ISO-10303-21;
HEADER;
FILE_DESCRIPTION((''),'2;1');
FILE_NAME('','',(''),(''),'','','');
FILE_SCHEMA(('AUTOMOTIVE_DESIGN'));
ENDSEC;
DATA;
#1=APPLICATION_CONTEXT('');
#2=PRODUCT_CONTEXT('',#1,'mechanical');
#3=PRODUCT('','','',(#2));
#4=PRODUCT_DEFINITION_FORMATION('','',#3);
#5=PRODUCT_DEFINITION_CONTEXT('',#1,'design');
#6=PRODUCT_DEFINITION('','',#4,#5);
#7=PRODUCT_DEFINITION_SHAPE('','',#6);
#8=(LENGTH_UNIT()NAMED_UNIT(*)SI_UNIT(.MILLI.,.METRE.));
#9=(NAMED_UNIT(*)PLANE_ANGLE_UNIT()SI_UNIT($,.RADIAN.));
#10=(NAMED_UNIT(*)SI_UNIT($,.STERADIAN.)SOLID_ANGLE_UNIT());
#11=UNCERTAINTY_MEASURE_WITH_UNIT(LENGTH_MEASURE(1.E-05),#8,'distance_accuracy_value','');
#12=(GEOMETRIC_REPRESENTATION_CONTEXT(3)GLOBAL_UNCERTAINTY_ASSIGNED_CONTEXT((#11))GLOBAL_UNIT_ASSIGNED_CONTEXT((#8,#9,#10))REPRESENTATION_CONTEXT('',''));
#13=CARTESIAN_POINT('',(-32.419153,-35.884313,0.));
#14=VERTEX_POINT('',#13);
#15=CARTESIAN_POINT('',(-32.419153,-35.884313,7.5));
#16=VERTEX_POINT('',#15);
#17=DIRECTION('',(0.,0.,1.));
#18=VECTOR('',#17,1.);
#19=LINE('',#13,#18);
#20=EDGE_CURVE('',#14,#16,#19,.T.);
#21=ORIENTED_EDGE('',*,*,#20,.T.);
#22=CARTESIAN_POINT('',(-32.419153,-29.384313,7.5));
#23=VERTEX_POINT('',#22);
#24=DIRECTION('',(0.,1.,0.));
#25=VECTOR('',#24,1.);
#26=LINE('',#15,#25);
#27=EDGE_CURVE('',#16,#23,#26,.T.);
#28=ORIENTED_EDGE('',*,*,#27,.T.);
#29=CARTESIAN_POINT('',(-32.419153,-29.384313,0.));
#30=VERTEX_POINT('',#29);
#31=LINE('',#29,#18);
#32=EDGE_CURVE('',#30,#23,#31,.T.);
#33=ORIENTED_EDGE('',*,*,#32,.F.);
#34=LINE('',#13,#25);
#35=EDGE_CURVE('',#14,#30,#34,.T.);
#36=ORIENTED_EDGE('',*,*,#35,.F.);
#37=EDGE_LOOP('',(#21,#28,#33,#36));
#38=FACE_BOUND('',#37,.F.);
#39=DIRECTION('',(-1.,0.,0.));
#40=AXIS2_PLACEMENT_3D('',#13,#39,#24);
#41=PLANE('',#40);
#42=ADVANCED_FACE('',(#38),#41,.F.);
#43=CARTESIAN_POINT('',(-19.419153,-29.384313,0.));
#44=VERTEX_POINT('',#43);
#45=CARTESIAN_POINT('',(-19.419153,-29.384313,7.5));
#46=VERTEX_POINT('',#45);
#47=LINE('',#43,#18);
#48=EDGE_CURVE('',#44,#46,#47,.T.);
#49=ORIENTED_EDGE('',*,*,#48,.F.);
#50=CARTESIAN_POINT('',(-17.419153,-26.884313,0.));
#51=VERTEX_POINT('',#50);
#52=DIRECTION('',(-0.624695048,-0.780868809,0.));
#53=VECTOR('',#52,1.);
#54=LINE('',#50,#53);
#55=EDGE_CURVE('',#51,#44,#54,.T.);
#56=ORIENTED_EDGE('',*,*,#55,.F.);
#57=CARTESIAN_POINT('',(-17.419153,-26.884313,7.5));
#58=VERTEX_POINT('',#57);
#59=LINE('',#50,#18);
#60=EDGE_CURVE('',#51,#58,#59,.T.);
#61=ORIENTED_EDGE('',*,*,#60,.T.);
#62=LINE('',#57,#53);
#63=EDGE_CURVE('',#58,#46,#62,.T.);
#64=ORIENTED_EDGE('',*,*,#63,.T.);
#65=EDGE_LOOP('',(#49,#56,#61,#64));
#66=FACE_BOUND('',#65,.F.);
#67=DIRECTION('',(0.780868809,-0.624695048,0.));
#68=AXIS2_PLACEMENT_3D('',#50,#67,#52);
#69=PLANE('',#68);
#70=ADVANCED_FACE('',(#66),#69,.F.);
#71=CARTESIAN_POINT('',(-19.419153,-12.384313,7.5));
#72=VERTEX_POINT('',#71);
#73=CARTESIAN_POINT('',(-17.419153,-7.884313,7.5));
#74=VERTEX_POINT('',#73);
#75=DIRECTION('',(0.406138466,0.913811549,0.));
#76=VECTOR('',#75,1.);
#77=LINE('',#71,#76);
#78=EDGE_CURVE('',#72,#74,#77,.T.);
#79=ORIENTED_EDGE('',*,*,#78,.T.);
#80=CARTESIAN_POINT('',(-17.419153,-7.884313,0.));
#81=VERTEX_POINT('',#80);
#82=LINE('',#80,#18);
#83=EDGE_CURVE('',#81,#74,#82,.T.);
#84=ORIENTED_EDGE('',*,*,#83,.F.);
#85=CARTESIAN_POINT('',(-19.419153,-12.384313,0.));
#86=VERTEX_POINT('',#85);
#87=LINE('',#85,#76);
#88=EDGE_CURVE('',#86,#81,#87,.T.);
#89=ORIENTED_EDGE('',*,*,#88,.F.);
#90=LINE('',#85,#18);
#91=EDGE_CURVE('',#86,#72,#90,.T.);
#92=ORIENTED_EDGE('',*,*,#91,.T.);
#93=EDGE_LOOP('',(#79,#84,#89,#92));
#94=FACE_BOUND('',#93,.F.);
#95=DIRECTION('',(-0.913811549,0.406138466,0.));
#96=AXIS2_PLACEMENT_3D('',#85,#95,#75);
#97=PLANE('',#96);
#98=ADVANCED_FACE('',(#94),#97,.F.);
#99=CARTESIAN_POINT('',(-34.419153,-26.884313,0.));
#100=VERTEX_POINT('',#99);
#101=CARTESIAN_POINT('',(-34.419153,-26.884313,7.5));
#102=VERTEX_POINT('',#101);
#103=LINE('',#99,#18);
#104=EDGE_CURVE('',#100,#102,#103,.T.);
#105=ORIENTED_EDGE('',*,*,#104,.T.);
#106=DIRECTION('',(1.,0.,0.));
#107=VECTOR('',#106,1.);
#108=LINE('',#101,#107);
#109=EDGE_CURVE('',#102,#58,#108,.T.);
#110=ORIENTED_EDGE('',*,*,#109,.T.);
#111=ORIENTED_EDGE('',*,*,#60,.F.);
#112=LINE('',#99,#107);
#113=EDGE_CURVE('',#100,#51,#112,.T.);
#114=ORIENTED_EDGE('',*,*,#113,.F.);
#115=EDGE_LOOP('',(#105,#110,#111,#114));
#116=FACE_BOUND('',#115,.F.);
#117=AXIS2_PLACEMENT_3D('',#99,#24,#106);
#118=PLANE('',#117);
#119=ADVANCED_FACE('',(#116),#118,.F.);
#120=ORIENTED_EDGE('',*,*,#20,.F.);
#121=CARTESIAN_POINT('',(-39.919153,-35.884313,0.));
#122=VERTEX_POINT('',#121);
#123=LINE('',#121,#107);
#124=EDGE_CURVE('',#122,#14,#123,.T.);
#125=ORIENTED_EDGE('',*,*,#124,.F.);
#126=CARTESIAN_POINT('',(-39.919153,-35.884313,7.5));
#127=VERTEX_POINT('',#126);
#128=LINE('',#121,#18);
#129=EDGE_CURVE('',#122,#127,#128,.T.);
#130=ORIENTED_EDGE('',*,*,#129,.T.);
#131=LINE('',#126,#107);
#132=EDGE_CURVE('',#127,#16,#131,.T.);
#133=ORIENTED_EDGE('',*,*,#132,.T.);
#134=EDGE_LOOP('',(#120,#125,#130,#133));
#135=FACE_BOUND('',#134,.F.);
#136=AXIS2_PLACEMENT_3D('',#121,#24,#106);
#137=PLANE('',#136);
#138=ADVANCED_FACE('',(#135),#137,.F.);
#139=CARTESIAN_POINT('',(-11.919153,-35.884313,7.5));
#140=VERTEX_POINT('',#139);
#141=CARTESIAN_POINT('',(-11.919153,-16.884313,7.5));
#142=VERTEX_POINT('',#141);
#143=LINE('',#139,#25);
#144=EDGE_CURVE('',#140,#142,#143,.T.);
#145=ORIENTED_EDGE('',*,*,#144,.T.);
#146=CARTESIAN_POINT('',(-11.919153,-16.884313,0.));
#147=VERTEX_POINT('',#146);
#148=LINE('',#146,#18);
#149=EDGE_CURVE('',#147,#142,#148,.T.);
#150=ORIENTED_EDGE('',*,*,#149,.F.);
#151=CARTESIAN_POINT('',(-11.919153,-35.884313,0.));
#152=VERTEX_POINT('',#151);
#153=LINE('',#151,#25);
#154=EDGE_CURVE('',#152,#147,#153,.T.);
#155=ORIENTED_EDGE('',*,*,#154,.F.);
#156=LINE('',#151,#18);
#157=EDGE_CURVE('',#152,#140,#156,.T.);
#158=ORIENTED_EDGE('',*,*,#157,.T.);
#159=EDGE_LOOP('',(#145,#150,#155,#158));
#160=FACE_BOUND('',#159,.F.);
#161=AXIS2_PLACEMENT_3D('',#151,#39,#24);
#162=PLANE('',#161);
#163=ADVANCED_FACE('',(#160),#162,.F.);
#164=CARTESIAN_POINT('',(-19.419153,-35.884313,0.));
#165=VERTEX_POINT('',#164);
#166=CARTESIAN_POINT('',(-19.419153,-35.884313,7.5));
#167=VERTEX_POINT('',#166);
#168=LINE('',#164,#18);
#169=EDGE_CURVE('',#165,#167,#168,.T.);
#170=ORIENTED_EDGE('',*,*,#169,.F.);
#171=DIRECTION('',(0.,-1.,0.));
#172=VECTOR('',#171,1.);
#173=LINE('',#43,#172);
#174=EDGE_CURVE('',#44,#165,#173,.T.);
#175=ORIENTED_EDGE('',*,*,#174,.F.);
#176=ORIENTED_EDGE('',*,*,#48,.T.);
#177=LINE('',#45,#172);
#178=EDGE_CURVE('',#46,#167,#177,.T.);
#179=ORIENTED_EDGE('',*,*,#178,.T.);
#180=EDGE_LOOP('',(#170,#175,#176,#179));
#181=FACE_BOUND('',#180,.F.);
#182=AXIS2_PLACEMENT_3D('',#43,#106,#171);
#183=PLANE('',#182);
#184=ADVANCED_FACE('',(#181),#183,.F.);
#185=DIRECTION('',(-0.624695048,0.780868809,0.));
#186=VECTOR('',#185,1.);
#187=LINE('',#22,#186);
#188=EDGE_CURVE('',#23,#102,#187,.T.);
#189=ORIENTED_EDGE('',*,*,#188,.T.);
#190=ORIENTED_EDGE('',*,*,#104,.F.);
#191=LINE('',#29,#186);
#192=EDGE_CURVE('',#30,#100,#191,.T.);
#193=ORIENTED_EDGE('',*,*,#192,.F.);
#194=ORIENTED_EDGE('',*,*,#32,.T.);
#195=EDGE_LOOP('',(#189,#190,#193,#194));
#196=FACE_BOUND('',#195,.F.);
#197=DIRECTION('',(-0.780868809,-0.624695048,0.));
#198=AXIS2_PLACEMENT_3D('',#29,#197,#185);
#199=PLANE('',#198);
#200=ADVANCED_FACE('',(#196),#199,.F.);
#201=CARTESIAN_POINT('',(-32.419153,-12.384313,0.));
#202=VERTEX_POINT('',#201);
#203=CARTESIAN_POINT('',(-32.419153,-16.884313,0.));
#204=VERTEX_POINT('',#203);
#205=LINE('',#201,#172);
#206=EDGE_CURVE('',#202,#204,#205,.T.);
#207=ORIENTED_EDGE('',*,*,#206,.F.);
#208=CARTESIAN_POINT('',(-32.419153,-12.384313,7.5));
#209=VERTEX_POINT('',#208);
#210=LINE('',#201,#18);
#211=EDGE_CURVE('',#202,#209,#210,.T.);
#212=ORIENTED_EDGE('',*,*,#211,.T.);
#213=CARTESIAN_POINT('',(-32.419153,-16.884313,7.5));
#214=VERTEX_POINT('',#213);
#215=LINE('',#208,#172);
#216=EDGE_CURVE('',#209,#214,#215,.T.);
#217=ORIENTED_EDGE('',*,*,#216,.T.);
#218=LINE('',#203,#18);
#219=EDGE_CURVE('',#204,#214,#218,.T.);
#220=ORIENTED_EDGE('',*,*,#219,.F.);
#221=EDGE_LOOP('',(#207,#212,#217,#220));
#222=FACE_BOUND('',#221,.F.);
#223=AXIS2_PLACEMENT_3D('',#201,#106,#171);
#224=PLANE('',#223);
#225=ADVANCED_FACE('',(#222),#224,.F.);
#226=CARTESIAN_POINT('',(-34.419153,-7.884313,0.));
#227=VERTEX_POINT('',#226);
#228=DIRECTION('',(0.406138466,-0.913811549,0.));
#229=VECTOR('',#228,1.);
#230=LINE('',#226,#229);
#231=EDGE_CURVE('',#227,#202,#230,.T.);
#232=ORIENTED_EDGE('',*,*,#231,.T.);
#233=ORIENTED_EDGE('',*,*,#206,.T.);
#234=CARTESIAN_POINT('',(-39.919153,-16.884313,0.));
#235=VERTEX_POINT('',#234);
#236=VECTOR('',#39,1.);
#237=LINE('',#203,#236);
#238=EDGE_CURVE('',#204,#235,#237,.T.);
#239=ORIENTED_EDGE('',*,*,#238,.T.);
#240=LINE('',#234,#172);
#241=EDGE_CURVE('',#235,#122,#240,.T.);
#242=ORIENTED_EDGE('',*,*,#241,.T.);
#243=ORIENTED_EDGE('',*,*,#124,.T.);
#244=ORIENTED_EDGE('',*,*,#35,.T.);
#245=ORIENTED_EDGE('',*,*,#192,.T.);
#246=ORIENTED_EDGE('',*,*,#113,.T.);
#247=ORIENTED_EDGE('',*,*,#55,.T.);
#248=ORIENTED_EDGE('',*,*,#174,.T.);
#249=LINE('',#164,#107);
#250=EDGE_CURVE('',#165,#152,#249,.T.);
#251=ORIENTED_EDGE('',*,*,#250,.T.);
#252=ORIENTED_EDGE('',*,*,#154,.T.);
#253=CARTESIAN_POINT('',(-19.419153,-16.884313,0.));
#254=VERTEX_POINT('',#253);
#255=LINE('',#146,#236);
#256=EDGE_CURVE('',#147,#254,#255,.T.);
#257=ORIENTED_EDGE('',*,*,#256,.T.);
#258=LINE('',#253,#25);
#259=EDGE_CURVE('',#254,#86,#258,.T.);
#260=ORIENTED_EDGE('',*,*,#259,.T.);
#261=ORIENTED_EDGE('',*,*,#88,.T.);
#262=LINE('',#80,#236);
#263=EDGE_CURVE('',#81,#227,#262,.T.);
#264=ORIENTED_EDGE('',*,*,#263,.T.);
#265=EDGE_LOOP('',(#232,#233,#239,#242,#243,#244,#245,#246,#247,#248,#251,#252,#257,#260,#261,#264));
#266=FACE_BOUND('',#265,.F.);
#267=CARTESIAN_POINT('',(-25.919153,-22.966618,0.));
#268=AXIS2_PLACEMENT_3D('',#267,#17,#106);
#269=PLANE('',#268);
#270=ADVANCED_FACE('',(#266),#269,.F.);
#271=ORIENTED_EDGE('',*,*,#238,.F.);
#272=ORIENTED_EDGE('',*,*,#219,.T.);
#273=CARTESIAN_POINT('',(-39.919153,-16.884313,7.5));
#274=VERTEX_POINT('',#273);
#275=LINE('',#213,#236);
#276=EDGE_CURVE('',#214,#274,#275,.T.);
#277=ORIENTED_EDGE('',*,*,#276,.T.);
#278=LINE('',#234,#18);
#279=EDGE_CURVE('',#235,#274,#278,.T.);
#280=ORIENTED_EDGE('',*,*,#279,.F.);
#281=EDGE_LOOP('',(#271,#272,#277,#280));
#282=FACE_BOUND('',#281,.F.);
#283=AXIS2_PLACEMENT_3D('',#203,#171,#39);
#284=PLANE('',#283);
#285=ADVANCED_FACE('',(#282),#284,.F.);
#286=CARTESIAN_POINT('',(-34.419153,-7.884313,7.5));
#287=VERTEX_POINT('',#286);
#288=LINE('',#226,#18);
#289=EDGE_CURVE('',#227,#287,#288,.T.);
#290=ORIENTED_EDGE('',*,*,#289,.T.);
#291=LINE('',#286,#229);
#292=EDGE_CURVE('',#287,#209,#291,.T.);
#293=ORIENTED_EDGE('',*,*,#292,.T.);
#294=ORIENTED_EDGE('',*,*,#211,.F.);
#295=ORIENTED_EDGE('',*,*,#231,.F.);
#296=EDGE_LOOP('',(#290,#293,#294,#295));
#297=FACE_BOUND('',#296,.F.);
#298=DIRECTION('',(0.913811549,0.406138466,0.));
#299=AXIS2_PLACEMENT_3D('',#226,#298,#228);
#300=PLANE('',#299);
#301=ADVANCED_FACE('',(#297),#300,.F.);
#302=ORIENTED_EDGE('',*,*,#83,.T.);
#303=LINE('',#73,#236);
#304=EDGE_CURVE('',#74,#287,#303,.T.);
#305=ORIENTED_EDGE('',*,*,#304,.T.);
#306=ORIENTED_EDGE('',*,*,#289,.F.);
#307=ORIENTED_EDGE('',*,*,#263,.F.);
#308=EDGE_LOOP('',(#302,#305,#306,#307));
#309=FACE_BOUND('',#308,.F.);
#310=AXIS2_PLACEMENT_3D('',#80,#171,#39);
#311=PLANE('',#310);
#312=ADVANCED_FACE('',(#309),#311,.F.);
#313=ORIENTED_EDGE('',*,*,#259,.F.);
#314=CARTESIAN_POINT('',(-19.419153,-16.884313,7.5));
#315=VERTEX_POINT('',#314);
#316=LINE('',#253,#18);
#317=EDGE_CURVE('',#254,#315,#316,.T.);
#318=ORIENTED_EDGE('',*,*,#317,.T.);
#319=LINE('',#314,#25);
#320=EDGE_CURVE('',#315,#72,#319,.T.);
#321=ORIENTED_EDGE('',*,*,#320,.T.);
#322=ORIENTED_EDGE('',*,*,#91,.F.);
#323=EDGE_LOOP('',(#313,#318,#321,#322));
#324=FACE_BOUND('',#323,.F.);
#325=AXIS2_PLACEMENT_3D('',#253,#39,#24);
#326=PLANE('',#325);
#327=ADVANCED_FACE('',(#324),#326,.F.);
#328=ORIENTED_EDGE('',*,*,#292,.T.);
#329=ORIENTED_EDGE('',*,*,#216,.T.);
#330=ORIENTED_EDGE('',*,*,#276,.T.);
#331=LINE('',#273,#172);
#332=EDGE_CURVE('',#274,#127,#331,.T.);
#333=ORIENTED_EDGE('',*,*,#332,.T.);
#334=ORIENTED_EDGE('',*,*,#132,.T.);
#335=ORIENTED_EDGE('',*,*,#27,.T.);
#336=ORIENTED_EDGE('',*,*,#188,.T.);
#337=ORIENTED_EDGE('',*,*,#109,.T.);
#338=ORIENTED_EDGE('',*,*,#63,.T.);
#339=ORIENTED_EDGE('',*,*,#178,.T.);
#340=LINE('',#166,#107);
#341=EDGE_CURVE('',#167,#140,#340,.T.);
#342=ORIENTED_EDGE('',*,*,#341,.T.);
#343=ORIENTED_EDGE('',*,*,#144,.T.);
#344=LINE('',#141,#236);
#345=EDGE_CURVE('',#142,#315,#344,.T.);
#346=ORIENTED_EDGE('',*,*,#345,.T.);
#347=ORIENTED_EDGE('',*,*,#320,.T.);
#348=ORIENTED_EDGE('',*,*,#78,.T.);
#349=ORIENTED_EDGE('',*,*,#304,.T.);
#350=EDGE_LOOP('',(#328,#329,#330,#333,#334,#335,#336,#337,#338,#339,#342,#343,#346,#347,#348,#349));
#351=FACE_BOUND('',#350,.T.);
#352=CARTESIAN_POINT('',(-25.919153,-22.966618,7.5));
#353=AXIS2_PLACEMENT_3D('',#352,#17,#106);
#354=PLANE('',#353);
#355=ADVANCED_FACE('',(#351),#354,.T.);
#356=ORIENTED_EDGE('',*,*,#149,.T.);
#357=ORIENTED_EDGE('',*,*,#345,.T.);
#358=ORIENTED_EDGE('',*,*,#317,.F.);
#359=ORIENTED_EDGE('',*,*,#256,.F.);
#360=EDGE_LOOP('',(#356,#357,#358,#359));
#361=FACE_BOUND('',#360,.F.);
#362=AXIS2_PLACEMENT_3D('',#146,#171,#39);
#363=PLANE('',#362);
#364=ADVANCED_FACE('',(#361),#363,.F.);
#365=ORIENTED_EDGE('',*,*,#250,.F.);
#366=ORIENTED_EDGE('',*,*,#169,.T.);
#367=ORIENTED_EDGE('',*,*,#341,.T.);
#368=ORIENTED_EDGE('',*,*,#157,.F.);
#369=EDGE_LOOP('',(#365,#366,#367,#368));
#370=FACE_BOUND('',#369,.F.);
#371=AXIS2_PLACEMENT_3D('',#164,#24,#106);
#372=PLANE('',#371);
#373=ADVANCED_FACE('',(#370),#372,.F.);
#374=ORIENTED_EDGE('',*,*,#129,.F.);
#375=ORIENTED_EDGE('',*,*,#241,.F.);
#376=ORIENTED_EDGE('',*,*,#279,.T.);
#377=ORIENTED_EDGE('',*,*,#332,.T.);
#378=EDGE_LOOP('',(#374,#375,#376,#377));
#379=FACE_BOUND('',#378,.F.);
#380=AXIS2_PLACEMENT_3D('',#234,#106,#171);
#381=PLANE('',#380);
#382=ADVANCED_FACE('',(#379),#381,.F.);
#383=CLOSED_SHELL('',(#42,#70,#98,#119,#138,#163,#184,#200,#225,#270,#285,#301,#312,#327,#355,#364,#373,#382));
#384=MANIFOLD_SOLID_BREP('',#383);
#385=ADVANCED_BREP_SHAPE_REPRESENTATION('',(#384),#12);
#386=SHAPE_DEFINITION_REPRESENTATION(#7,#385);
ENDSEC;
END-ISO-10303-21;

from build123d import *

# Parameters (mm, degrees)
F1_DEPTH = 7.5


with BuildPart() as f1:
    # F0 (on Top) → F1 (new body)
    with BuildSketch(Plane.XY):
        Polygon((-39.919153, -35.884313), (-32.419153, -35.884313), (-32.419153, -29.384313), (-34.419153, -26.884313), (-17.419153, -26.884313), (-19.419153, -29.384313), (-19.419153, -35.884313), (-11.919153, -35.884313), (-11.919153, -16.884313), (-19.419153, -16.884313), (-19.419153, -12.384313), (-17.419153, -7.884313), (-34.419153, -7.884313), (-32.419153, -12.384313), (-32.419153, -16.884313), (-39.919153, -16.884313), align=None)
    extrude(amount=F1_DEPTH)


solid = f1.part
